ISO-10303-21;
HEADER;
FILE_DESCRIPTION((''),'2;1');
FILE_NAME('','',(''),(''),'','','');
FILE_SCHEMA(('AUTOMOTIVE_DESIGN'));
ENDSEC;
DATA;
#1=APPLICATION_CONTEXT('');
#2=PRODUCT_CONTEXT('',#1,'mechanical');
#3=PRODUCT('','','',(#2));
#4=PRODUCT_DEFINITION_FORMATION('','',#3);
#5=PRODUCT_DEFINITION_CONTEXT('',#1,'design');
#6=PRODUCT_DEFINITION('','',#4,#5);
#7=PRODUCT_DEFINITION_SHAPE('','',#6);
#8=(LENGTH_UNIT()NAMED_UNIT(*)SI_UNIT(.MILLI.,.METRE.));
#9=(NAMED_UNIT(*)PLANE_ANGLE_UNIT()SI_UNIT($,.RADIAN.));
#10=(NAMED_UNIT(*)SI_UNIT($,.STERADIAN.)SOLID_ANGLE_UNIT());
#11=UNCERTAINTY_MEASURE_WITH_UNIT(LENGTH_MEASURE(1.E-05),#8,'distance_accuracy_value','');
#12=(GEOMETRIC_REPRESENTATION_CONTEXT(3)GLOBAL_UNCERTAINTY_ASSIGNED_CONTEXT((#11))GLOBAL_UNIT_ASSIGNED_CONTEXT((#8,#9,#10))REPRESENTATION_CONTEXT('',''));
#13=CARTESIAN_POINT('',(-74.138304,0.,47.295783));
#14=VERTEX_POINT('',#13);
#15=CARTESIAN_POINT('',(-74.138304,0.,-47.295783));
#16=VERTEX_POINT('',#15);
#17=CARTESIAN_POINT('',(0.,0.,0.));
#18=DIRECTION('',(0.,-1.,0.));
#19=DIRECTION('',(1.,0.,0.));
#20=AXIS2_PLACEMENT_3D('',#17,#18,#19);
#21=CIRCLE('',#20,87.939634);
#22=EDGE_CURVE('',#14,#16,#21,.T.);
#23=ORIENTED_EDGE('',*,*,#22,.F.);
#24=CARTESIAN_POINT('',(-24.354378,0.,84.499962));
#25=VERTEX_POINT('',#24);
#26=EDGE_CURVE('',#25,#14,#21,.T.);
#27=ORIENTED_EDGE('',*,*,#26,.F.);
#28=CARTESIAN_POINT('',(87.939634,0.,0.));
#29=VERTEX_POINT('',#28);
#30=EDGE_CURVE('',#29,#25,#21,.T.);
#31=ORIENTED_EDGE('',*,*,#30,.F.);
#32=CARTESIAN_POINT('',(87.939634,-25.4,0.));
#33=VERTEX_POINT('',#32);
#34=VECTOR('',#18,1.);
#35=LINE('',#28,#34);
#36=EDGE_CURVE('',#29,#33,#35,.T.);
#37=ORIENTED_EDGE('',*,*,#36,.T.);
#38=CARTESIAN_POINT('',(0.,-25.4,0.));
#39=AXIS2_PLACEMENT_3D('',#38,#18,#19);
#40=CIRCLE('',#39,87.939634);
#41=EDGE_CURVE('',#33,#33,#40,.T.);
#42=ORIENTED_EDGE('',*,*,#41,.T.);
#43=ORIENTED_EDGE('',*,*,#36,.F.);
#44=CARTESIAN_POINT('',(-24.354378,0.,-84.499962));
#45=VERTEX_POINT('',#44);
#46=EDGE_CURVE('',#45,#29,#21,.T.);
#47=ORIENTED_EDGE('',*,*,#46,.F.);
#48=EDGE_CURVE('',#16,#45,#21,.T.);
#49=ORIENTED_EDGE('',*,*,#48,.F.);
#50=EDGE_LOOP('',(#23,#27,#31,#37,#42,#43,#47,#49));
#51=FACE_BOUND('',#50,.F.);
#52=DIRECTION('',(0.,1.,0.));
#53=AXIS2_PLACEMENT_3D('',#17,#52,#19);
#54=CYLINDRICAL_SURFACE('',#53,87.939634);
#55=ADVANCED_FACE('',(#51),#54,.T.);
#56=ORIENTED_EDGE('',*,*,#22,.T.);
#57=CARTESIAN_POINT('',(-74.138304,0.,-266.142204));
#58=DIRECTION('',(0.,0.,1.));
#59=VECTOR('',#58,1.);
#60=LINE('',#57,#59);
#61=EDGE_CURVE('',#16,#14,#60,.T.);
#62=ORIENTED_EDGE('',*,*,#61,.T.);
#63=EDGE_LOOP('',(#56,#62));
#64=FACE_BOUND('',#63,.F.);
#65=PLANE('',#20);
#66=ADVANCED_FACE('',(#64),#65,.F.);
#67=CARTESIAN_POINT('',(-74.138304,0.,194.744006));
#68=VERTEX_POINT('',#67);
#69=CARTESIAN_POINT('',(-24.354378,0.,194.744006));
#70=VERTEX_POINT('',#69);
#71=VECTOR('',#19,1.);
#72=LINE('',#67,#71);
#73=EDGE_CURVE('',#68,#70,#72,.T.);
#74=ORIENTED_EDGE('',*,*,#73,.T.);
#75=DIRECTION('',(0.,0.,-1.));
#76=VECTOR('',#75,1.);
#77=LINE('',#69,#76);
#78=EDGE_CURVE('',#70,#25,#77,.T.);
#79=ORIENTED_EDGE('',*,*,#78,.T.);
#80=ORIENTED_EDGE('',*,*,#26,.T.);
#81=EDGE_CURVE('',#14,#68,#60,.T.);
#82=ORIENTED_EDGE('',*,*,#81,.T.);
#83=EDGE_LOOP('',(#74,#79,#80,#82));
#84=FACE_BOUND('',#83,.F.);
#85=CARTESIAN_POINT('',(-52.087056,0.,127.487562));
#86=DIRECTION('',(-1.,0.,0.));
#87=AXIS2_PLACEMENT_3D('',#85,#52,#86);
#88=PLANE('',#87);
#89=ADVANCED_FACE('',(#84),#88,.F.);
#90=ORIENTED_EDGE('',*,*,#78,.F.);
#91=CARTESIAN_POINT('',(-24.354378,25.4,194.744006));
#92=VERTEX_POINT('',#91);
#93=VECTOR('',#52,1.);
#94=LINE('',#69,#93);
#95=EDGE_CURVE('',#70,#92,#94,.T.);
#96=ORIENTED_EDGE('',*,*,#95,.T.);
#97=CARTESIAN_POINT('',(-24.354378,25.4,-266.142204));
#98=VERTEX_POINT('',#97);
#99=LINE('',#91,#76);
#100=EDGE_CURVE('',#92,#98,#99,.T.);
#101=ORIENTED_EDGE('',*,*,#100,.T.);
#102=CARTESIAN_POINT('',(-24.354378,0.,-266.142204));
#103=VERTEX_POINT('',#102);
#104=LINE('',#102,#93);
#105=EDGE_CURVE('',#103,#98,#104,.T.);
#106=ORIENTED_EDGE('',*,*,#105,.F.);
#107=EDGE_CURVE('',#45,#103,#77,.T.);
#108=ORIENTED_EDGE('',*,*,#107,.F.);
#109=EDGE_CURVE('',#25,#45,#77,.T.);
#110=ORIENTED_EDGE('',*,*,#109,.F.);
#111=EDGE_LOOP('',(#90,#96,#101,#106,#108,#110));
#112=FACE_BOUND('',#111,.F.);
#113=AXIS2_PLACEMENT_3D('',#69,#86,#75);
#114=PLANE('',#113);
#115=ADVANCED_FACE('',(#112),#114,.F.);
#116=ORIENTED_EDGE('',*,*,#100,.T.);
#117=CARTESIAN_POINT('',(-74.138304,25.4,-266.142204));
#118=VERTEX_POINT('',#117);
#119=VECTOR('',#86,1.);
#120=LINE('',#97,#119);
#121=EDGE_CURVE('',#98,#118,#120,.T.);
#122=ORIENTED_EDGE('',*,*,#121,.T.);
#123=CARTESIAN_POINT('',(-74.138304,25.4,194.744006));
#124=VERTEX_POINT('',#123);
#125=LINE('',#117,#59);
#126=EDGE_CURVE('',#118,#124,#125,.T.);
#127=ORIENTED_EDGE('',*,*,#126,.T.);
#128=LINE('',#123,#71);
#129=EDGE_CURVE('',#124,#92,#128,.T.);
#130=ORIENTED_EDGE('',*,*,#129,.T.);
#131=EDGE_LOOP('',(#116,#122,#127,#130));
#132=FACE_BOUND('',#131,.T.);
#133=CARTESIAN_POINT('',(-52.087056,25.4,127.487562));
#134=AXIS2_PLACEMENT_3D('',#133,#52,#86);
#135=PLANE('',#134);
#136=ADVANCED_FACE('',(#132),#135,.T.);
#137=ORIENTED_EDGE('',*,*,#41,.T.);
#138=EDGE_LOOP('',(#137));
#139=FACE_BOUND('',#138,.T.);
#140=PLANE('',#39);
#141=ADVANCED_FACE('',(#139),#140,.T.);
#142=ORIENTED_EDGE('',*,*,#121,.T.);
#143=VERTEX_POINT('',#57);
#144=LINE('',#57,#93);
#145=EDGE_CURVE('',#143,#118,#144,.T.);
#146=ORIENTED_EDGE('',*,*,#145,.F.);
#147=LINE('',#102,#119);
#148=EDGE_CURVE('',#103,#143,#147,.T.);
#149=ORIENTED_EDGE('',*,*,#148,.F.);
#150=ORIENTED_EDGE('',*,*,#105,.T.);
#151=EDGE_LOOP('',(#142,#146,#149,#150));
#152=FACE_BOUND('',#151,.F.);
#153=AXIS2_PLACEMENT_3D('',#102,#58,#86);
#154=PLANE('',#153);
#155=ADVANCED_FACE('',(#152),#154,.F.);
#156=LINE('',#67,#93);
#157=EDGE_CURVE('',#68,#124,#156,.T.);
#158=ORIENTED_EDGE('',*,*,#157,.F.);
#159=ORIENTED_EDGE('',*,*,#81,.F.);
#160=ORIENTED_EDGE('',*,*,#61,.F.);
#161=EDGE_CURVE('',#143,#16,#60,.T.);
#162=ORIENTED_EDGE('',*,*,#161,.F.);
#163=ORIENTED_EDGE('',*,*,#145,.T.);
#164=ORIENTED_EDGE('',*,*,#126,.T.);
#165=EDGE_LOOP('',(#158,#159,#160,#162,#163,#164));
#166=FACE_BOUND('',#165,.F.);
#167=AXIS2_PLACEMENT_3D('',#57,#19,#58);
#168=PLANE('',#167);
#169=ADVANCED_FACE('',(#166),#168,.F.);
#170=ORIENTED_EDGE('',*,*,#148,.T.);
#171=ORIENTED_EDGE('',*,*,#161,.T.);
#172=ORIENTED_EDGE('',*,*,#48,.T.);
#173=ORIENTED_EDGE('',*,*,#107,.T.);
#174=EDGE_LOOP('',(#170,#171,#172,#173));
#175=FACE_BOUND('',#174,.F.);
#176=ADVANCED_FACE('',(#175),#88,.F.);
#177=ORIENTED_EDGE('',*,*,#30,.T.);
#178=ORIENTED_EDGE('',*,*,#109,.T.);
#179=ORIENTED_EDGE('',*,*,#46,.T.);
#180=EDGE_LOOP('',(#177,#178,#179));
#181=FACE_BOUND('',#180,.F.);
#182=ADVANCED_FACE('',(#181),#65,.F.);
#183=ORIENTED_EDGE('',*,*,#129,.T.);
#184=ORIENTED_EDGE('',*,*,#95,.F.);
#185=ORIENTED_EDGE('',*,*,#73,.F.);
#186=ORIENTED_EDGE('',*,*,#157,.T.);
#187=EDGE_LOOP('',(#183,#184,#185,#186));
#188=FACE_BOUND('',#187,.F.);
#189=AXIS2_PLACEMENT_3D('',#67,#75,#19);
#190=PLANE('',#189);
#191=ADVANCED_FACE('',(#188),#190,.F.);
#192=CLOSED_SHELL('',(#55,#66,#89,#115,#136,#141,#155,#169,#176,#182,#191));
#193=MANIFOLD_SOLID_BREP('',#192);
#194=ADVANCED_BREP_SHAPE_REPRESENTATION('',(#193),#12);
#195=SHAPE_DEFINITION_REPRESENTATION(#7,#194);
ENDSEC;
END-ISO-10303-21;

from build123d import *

# Parameters (mm, degrees)
F0_R     = 87.939634
F1_DEPTH = 25.4
F2_W     = 49.783926
F2_H     = 460.88621
F3_DEPTH = 25.4


with BuildPart() as f1:
    # F0 (on Front) → F1 (new body)
    with BuildSketch(Plane.XZ):
        Circle(F0_R)
    extrude(amount=F1_DEPTH)

    # F2 (on face) → F3 (join)
    with BuildSketch(Plane(origin=(0, 0, 0), x_dir=(-1, 0, 0), z_dir=(0, 1, 0))):
        with BuildLine():
            Line((74.138304, 194.744006), (24.354378, 194.744006))
            Line((24.354378, 194.744006), (24.354378, 84.499962))
            ThreePointArc((24.354378, 84.499962), (52.642567, 70.442454), (74.138304, 47.295783))
            Line((74.138304, 47.295783), (74.138304, 194.744006))
        make_face()
        with BuildLine():
            ThreePointArc((74.138304, -47.295783), (52.642567, -70.442454), (24.354378, -84.499962))
            Line((24.354378, -84.499962), (24.354378, -266.142204))
            Line((24.354378, -266.142204), (74.138304, -266.142204))
            Line((74.138304, -266.142204), (74.138304, -47.295783))
        make_face()
        with Locations((49.246341, -35.699099)):
            Rectangle(F2_W, F2_H)
    extrude(amount=F3_DEPTH)


solid = f1.part
